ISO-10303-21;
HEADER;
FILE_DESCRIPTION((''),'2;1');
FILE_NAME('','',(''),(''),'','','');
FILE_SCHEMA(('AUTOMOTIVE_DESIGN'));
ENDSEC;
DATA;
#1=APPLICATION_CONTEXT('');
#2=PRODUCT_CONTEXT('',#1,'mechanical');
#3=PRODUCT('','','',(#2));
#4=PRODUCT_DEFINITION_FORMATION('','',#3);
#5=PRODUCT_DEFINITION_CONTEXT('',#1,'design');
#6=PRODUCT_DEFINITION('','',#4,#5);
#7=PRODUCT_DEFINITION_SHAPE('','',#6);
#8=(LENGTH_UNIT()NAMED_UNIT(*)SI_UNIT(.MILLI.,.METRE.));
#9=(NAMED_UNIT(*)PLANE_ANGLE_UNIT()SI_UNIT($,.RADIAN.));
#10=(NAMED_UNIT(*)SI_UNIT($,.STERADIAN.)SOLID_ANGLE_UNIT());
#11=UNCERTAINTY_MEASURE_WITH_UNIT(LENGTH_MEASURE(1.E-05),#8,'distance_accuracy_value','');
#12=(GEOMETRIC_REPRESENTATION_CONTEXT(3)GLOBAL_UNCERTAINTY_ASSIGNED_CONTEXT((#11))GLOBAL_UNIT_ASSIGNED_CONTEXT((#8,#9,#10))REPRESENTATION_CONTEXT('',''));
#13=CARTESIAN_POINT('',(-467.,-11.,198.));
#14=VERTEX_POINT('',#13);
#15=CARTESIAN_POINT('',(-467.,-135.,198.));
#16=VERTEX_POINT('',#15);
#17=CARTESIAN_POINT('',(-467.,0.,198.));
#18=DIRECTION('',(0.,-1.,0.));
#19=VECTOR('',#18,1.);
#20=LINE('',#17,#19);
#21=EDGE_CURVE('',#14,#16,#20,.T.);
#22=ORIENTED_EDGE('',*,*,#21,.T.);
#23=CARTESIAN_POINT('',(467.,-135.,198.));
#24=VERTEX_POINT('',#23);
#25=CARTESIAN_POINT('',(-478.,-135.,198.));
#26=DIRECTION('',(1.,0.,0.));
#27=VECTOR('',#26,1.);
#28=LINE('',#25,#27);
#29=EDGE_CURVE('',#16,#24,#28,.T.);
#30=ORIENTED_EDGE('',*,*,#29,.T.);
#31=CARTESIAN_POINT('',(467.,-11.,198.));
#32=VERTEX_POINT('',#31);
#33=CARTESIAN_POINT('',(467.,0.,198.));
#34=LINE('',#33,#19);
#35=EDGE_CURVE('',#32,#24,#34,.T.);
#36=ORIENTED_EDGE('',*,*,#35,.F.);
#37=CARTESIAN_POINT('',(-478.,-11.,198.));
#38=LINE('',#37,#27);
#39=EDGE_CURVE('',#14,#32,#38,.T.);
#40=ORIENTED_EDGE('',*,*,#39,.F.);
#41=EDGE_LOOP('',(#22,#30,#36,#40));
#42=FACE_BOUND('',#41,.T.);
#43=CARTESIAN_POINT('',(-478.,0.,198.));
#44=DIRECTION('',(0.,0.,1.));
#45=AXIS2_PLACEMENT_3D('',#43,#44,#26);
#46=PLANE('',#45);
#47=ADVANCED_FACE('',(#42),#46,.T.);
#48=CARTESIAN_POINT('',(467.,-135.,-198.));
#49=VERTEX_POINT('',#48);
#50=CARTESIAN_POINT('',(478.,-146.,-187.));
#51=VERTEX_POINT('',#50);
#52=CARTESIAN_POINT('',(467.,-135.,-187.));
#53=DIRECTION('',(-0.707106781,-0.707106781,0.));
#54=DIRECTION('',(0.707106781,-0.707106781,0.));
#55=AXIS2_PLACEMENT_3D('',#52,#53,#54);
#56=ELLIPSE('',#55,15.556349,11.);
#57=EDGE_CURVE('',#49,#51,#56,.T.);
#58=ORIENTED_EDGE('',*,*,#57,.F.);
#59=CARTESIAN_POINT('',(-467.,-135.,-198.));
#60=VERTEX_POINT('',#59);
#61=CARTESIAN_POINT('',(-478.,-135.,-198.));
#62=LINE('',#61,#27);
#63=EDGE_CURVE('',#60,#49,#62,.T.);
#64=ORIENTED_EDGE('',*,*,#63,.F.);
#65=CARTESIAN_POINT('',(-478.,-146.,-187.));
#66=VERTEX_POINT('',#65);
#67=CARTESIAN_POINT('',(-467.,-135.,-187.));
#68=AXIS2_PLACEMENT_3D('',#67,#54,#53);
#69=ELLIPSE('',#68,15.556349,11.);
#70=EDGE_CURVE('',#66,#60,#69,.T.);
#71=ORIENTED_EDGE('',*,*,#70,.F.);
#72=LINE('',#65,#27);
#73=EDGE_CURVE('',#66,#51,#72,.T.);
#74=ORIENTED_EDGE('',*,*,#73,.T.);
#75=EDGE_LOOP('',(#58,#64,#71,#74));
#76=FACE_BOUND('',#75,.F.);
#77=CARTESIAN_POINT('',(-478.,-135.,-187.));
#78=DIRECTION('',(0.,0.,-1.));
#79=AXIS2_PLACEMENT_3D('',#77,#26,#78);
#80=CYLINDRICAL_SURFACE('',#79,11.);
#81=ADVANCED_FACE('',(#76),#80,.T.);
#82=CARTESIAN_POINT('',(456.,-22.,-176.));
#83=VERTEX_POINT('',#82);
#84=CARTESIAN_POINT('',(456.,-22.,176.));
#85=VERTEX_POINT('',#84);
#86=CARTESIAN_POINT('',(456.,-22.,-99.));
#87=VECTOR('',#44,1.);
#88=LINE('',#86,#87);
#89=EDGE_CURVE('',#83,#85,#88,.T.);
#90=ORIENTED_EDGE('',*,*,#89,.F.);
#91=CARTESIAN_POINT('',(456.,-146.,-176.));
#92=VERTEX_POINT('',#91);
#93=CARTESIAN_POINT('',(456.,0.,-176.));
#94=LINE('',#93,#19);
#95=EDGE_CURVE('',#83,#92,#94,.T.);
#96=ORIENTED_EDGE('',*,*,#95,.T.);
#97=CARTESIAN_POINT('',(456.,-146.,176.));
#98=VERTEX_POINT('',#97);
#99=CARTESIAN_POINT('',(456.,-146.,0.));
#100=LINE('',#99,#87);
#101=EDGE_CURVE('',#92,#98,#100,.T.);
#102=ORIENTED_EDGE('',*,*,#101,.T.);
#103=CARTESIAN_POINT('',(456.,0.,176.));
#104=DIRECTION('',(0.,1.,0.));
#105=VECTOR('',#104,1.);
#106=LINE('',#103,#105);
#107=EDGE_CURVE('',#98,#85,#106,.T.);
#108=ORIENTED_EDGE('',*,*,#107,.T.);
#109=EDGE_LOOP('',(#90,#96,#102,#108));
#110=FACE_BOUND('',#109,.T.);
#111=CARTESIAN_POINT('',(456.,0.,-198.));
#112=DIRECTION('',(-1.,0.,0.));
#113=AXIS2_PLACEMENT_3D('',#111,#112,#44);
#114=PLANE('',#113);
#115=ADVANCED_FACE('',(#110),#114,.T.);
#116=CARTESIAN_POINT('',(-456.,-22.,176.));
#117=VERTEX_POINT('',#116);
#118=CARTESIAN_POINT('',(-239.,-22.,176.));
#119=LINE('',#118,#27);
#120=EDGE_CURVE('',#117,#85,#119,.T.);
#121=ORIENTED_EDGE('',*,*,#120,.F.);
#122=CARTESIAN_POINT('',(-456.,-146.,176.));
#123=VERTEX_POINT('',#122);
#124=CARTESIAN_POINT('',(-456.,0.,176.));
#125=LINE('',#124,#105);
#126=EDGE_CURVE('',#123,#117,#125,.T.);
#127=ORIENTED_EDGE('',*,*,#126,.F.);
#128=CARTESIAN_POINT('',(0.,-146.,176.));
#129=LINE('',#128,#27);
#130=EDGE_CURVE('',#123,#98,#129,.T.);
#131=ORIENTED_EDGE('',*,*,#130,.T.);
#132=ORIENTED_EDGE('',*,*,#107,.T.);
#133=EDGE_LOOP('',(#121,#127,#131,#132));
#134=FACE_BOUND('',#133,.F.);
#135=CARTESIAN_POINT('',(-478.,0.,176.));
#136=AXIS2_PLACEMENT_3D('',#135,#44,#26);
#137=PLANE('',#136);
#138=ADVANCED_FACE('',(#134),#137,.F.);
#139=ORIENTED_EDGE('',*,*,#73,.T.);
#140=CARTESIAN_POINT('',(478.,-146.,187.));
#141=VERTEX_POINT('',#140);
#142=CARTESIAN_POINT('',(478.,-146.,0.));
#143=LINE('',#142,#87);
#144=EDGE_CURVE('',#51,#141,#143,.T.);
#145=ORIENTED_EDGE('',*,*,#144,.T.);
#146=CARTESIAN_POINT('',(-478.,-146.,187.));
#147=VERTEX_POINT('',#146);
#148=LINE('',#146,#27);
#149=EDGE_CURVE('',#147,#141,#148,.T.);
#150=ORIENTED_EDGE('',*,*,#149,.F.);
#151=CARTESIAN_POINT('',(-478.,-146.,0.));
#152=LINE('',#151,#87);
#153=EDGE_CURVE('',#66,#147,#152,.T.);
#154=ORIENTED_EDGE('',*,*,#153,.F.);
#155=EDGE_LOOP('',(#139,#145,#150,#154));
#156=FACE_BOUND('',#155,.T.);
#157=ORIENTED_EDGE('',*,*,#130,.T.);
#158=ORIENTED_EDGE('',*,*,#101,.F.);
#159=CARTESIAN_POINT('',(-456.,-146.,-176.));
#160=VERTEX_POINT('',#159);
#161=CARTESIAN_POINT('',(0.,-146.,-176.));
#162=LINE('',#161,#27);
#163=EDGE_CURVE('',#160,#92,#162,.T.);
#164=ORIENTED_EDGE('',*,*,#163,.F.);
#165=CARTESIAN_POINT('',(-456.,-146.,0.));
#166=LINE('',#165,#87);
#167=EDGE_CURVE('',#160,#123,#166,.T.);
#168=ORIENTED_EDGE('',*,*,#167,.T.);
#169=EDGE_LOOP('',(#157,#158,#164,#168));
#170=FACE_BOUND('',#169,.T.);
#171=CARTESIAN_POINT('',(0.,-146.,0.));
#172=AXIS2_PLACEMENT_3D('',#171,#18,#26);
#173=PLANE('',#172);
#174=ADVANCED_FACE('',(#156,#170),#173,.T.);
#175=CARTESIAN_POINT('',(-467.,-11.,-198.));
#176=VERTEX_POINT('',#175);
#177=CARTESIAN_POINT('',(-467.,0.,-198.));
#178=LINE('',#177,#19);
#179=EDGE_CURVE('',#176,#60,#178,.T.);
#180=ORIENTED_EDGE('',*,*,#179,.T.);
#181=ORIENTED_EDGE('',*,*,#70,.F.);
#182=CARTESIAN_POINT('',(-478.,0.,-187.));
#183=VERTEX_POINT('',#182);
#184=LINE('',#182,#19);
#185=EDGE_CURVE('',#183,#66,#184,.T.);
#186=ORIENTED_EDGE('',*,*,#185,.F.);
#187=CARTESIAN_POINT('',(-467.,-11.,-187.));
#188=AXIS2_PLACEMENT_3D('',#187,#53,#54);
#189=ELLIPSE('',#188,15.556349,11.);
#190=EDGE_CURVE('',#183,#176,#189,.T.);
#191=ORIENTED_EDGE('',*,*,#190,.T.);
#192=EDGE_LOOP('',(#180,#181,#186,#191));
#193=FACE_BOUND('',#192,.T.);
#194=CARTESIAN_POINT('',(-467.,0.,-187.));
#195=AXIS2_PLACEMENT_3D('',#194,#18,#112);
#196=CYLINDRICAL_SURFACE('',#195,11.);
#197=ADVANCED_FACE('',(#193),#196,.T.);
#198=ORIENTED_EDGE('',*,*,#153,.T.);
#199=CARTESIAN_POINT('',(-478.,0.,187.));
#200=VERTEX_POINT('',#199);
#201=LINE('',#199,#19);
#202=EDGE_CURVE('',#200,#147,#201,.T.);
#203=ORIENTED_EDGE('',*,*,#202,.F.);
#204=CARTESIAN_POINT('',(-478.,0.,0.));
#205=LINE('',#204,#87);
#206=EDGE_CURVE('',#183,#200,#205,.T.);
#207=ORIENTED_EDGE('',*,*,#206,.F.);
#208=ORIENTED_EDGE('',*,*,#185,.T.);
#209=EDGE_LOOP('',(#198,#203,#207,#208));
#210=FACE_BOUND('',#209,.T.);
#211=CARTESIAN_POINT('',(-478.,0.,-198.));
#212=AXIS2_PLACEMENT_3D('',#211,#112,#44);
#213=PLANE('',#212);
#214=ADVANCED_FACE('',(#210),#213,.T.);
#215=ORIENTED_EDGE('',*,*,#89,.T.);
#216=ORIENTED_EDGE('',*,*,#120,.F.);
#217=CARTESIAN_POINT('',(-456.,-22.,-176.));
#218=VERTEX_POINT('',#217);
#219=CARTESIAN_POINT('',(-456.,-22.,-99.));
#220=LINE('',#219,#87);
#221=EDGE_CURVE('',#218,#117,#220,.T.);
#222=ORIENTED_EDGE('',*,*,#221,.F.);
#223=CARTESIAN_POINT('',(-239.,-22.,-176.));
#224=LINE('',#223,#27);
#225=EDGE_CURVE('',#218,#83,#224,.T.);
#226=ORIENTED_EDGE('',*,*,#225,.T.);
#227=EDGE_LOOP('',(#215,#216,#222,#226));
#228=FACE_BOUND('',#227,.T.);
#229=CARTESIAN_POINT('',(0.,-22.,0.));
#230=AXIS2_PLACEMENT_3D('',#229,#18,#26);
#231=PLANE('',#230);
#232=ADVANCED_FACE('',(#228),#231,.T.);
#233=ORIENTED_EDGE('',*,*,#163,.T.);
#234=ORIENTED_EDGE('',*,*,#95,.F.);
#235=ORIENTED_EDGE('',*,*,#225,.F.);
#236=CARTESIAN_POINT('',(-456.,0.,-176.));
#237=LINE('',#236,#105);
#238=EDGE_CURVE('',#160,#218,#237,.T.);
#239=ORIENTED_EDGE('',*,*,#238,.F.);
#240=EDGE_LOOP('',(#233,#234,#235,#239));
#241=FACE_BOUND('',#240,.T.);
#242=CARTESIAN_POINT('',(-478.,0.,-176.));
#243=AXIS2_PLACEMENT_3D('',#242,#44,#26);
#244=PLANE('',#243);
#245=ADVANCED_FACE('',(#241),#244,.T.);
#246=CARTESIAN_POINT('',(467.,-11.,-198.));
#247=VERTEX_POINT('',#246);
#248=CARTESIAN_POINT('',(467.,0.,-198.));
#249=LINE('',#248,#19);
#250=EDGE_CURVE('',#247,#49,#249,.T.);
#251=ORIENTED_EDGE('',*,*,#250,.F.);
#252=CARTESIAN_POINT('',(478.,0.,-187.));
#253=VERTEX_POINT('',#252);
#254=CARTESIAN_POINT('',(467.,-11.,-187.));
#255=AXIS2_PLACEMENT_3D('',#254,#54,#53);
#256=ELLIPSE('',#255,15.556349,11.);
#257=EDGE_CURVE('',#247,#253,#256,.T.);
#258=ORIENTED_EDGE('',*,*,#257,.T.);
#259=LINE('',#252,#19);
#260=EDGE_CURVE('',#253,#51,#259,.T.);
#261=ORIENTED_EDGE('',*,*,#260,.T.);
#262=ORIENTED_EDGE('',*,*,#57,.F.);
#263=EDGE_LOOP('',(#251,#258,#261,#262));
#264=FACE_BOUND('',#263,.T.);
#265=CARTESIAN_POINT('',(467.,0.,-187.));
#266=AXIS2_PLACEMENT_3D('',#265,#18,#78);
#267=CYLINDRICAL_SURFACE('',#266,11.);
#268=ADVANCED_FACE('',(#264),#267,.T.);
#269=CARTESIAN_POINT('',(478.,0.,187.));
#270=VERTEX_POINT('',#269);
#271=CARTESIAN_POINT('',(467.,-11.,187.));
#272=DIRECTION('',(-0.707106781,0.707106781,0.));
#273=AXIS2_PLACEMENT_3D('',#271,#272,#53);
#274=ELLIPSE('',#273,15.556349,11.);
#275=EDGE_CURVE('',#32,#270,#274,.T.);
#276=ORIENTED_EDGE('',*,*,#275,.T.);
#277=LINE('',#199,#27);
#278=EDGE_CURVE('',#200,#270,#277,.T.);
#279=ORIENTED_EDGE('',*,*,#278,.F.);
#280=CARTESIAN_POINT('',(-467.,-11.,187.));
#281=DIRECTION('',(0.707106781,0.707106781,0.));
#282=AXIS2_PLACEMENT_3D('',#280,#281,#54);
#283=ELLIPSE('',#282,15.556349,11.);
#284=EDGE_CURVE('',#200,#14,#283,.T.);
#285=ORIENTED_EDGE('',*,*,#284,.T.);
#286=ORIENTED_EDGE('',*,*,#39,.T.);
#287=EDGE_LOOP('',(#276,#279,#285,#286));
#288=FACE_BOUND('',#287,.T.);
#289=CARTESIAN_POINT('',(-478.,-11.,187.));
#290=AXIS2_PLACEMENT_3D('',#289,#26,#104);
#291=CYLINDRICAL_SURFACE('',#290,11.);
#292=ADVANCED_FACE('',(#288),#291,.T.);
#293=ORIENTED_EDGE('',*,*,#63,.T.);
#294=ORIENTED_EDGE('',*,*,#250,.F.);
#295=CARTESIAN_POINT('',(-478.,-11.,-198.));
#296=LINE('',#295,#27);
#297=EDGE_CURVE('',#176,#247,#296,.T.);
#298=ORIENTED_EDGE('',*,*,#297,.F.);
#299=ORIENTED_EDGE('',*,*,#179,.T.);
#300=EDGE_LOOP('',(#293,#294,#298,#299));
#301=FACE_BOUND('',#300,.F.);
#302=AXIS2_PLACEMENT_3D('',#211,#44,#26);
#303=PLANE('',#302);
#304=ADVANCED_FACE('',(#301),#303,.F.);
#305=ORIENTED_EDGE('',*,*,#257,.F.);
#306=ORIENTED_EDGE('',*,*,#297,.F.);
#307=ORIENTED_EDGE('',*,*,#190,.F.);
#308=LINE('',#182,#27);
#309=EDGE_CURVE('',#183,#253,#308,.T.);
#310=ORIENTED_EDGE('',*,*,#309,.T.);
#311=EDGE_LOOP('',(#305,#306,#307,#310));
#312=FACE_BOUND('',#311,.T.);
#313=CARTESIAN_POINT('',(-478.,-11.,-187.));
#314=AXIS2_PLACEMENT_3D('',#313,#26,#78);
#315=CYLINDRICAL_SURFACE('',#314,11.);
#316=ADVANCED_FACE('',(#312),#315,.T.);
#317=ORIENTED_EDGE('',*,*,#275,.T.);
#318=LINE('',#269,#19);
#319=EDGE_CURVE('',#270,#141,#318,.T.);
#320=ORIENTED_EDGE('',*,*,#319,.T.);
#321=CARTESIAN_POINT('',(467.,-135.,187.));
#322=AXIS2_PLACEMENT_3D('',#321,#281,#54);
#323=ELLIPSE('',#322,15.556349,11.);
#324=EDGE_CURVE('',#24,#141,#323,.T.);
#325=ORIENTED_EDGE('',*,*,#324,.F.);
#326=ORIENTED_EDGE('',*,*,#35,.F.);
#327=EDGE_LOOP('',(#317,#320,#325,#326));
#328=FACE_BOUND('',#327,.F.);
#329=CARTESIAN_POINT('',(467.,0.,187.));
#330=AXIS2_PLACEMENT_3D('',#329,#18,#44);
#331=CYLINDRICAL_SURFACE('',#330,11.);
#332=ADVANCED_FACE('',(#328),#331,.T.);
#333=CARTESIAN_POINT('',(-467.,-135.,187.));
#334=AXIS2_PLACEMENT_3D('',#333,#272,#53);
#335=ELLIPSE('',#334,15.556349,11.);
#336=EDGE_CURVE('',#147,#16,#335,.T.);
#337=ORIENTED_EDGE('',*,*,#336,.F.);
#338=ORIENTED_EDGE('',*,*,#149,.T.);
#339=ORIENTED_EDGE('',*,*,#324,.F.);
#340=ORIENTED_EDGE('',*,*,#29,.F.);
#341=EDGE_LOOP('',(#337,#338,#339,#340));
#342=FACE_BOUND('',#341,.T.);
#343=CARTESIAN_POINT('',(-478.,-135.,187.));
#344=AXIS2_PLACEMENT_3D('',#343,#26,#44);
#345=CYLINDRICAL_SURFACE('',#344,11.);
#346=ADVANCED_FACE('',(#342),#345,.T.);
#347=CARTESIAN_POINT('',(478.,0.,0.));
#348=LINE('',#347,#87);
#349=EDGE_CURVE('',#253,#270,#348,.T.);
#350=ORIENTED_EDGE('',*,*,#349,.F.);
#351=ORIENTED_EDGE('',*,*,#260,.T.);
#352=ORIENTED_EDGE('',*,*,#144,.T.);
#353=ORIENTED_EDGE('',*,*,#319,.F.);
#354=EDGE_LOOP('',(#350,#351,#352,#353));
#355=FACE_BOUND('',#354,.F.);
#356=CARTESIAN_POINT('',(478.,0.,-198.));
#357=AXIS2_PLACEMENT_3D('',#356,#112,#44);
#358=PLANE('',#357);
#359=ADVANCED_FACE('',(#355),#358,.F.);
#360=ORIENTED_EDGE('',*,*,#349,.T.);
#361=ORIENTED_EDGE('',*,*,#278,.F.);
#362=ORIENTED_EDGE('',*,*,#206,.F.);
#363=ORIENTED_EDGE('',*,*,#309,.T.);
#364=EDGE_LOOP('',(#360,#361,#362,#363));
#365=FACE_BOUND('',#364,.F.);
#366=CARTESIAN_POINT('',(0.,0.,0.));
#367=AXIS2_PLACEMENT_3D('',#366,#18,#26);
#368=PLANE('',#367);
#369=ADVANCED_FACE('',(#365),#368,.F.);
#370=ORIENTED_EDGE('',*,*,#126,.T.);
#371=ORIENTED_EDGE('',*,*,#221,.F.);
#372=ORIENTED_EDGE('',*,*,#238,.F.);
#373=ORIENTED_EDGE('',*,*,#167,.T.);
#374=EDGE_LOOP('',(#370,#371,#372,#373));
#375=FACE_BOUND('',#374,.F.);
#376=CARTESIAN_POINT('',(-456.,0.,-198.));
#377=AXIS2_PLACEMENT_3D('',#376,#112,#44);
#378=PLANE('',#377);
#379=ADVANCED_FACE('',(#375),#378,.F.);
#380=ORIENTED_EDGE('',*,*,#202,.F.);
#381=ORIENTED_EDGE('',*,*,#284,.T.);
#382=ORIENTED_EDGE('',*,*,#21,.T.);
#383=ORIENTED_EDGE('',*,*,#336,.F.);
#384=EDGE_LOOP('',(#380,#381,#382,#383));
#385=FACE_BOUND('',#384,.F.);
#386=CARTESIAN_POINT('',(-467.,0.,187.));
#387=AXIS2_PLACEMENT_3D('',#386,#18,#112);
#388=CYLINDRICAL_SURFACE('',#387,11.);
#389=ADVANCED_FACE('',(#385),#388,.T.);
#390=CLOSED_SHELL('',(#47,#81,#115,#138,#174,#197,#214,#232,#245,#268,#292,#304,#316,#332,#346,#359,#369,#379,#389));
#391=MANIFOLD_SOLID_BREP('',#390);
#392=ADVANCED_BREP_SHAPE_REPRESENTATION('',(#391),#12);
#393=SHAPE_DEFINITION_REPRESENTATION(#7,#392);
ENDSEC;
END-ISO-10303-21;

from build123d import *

# Parameters (mm, degrees)
F0_W     = 956
F0_H     = 396
F1_DEPTH = 146
F2_T     = -22
F3_R     = 11
F4_R     = 11


with BuildPart() as f1:
    # F0 (on Front) → F1 (new body)
    with BuildSketch(Plane.XZ):
        Rectangle(F0_W, F0_H)
    extrude(amount=F1_DEPTH)

    # F2
    f2_openings = [f1.faces().sort_by_distance(p)[0] for p in [
        (0, -146, 0),
    ]]
    offset(amount=F2_T, openings=f2_openings)

    # F3
    f3_edges = [f1.edges().sort_by_distance(p)[0] for p in [
        (-478, -73, -198),
        (478, -73, -198),
        (0, 0, -198),
        (0, -146, -198),
    ]]
    fillet(f3_edges, radius=F3_R)

    # F4
    f4_edges = [f1.edges().sort_by_distance(p)[0] for p in [
        (478, -73, 198),
        (-478, -73, 198),
        (0, 0, 198),
        (0, -146, 198),
    ]]
    fillet(f4_edges, radius=F4_R)


solid = f1.part
